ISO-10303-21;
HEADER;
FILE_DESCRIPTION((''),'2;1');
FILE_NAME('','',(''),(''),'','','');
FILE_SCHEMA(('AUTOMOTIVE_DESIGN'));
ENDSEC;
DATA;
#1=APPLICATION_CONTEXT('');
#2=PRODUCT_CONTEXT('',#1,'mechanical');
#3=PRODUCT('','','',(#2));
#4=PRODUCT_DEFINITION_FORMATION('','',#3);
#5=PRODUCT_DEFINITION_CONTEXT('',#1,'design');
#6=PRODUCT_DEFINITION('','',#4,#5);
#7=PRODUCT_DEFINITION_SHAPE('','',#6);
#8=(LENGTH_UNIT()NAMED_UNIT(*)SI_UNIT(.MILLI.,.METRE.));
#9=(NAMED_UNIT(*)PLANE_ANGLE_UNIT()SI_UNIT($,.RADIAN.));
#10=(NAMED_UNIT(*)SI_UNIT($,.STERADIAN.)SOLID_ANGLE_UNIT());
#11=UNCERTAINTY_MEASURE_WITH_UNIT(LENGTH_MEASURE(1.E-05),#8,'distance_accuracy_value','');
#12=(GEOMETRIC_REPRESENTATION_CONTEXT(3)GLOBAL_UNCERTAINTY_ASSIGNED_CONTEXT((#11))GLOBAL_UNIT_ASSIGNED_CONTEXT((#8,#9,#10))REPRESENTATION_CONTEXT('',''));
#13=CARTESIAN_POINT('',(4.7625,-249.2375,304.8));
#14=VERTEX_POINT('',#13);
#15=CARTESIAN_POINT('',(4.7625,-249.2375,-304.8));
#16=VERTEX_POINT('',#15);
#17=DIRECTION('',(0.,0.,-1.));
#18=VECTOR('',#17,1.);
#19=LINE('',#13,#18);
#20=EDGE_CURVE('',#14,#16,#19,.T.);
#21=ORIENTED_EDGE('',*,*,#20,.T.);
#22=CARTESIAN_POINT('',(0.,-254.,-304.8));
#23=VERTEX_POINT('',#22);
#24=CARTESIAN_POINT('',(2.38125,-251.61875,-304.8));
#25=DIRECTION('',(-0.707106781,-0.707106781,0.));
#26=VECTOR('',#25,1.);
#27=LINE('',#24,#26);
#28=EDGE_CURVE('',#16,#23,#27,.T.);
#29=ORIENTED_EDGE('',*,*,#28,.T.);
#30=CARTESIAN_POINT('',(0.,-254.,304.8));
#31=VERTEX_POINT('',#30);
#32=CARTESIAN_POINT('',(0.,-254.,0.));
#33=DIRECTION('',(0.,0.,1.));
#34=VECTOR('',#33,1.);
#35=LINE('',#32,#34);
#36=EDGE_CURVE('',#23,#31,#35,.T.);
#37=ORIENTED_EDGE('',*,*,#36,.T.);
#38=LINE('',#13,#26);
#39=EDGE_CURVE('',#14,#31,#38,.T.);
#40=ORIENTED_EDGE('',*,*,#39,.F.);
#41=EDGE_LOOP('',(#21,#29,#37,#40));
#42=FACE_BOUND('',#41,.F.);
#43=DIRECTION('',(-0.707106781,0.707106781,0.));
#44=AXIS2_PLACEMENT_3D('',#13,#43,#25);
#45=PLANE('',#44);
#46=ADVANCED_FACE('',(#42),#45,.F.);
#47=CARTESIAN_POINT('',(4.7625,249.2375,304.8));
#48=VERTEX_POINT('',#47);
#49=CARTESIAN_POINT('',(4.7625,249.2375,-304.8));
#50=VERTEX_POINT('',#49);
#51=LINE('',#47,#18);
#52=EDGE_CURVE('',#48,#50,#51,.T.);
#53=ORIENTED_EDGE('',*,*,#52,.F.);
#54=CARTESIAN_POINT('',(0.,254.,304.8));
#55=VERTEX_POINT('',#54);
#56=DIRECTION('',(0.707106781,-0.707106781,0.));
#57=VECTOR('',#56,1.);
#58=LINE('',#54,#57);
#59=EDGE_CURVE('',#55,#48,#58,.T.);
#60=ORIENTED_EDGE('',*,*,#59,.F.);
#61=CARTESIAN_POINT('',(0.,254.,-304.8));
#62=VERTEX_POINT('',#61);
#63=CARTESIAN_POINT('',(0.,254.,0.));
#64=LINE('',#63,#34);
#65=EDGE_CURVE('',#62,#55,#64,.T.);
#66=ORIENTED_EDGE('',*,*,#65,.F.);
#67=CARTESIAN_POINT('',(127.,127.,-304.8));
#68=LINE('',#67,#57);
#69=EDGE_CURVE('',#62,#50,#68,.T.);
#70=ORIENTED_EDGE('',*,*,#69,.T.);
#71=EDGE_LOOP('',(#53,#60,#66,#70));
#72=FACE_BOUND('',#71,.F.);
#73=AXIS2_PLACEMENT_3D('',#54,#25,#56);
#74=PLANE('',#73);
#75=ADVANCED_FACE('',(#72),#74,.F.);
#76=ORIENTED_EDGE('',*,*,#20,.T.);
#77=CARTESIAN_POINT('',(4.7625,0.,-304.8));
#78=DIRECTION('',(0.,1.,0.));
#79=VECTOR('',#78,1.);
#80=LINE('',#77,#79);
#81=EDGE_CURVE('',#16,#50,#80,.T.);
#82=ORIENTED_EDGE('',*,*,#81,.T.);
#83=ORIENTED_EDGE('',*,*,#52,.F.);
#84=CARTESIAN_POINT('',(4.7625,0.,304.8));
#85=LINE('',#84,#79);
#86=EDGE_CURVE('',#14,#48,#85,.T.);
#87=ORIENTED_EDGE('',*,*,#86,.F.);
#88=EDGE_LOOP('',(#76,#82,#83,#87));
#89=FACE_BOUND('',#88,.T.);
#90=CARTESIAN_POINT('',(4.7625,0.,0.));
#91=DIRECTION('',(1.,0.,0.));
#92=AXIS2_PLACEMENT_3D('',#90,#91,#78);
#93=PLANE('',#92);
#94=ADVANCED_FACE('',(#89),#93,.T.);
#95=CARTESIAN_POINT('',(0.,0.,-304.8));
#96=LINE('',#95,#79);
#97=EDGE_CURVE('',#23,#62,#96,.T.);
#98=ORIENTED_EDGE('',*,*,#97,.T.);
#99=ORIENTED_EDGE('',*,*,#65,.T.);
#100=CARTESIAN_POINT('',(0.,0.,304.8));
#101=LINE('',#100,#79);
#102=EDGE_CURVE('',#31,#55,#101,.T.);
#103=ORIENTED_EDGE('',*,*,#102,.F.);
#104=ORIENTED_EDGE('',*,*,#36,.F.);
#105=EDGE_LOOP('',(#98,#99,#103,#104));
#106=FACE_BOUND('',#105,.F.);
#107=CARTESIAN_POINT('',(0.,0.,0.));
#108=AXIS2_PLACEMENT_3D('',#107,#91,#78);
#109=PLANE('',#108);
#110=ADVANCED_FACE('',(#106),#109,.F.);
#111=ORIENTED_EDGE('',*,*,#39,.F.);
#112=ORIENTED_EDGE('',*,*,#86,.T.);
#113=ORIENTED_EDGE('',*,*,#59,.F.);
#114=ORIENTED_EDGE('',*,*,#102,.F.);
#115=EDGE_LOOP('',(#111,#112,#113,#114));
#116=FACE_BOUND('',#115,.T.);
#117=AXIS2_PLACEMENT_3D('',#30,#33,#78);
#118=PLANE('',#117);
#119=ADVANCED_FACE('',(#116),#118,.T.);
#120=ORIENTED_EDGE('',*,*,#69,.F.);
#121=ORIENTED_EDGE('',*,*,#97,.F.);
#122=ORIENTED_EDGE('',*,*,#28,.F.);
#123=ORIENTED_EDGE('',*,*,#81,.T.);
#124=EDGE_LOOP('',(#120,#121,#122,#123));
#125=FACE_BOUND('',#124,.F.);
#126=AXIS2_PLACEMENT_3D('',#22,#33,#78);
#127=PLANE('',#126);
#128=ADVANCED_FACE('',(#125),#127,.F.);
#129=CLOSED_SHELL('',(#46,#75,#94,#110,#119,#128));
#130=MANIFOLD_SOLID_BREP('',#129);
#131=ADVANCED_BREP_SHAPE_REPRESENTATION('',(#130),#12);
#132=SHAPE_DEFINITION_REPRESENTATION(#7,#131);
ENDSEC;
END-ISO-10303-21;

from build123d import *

# Parameters (mm, degrees)
F0_W     = 508
F0_H     = 609.6
F1_DEPTH = 4.7625
F3_DEPTH = 609.601
F5_DEPTH = 609.601


with BuildPart() as f1:
    # F0 (on Right) → F1 (new body)
    with BuildSketch(Plane.YZ):
        Rectangle(F0_W, F0_H)
    extrude(amount=F1_DEPTH)

    # F2 (on face) → F3 (cut, through all)
    with BuildSketch(Plane.XY.offset(304.8)):
        Polygon((0, -254), (4.7625, -254), (4.7625, -249.2375), align=None)
    extrude(amount=-F3_DEPTH, mode=Mode.SUBTRACT)

    # F4 (on face) → F5 (cut, through all)
    with BuildSketch(Plane.XY.offset(304.8)):
        Polygon((4.7625, 249.2375), (4.7625, 254), (0, 254), align=None)
    extrude(amount=-F5_DEPTH, mode=Mode.SUBTRACT)


solid = f1.part
